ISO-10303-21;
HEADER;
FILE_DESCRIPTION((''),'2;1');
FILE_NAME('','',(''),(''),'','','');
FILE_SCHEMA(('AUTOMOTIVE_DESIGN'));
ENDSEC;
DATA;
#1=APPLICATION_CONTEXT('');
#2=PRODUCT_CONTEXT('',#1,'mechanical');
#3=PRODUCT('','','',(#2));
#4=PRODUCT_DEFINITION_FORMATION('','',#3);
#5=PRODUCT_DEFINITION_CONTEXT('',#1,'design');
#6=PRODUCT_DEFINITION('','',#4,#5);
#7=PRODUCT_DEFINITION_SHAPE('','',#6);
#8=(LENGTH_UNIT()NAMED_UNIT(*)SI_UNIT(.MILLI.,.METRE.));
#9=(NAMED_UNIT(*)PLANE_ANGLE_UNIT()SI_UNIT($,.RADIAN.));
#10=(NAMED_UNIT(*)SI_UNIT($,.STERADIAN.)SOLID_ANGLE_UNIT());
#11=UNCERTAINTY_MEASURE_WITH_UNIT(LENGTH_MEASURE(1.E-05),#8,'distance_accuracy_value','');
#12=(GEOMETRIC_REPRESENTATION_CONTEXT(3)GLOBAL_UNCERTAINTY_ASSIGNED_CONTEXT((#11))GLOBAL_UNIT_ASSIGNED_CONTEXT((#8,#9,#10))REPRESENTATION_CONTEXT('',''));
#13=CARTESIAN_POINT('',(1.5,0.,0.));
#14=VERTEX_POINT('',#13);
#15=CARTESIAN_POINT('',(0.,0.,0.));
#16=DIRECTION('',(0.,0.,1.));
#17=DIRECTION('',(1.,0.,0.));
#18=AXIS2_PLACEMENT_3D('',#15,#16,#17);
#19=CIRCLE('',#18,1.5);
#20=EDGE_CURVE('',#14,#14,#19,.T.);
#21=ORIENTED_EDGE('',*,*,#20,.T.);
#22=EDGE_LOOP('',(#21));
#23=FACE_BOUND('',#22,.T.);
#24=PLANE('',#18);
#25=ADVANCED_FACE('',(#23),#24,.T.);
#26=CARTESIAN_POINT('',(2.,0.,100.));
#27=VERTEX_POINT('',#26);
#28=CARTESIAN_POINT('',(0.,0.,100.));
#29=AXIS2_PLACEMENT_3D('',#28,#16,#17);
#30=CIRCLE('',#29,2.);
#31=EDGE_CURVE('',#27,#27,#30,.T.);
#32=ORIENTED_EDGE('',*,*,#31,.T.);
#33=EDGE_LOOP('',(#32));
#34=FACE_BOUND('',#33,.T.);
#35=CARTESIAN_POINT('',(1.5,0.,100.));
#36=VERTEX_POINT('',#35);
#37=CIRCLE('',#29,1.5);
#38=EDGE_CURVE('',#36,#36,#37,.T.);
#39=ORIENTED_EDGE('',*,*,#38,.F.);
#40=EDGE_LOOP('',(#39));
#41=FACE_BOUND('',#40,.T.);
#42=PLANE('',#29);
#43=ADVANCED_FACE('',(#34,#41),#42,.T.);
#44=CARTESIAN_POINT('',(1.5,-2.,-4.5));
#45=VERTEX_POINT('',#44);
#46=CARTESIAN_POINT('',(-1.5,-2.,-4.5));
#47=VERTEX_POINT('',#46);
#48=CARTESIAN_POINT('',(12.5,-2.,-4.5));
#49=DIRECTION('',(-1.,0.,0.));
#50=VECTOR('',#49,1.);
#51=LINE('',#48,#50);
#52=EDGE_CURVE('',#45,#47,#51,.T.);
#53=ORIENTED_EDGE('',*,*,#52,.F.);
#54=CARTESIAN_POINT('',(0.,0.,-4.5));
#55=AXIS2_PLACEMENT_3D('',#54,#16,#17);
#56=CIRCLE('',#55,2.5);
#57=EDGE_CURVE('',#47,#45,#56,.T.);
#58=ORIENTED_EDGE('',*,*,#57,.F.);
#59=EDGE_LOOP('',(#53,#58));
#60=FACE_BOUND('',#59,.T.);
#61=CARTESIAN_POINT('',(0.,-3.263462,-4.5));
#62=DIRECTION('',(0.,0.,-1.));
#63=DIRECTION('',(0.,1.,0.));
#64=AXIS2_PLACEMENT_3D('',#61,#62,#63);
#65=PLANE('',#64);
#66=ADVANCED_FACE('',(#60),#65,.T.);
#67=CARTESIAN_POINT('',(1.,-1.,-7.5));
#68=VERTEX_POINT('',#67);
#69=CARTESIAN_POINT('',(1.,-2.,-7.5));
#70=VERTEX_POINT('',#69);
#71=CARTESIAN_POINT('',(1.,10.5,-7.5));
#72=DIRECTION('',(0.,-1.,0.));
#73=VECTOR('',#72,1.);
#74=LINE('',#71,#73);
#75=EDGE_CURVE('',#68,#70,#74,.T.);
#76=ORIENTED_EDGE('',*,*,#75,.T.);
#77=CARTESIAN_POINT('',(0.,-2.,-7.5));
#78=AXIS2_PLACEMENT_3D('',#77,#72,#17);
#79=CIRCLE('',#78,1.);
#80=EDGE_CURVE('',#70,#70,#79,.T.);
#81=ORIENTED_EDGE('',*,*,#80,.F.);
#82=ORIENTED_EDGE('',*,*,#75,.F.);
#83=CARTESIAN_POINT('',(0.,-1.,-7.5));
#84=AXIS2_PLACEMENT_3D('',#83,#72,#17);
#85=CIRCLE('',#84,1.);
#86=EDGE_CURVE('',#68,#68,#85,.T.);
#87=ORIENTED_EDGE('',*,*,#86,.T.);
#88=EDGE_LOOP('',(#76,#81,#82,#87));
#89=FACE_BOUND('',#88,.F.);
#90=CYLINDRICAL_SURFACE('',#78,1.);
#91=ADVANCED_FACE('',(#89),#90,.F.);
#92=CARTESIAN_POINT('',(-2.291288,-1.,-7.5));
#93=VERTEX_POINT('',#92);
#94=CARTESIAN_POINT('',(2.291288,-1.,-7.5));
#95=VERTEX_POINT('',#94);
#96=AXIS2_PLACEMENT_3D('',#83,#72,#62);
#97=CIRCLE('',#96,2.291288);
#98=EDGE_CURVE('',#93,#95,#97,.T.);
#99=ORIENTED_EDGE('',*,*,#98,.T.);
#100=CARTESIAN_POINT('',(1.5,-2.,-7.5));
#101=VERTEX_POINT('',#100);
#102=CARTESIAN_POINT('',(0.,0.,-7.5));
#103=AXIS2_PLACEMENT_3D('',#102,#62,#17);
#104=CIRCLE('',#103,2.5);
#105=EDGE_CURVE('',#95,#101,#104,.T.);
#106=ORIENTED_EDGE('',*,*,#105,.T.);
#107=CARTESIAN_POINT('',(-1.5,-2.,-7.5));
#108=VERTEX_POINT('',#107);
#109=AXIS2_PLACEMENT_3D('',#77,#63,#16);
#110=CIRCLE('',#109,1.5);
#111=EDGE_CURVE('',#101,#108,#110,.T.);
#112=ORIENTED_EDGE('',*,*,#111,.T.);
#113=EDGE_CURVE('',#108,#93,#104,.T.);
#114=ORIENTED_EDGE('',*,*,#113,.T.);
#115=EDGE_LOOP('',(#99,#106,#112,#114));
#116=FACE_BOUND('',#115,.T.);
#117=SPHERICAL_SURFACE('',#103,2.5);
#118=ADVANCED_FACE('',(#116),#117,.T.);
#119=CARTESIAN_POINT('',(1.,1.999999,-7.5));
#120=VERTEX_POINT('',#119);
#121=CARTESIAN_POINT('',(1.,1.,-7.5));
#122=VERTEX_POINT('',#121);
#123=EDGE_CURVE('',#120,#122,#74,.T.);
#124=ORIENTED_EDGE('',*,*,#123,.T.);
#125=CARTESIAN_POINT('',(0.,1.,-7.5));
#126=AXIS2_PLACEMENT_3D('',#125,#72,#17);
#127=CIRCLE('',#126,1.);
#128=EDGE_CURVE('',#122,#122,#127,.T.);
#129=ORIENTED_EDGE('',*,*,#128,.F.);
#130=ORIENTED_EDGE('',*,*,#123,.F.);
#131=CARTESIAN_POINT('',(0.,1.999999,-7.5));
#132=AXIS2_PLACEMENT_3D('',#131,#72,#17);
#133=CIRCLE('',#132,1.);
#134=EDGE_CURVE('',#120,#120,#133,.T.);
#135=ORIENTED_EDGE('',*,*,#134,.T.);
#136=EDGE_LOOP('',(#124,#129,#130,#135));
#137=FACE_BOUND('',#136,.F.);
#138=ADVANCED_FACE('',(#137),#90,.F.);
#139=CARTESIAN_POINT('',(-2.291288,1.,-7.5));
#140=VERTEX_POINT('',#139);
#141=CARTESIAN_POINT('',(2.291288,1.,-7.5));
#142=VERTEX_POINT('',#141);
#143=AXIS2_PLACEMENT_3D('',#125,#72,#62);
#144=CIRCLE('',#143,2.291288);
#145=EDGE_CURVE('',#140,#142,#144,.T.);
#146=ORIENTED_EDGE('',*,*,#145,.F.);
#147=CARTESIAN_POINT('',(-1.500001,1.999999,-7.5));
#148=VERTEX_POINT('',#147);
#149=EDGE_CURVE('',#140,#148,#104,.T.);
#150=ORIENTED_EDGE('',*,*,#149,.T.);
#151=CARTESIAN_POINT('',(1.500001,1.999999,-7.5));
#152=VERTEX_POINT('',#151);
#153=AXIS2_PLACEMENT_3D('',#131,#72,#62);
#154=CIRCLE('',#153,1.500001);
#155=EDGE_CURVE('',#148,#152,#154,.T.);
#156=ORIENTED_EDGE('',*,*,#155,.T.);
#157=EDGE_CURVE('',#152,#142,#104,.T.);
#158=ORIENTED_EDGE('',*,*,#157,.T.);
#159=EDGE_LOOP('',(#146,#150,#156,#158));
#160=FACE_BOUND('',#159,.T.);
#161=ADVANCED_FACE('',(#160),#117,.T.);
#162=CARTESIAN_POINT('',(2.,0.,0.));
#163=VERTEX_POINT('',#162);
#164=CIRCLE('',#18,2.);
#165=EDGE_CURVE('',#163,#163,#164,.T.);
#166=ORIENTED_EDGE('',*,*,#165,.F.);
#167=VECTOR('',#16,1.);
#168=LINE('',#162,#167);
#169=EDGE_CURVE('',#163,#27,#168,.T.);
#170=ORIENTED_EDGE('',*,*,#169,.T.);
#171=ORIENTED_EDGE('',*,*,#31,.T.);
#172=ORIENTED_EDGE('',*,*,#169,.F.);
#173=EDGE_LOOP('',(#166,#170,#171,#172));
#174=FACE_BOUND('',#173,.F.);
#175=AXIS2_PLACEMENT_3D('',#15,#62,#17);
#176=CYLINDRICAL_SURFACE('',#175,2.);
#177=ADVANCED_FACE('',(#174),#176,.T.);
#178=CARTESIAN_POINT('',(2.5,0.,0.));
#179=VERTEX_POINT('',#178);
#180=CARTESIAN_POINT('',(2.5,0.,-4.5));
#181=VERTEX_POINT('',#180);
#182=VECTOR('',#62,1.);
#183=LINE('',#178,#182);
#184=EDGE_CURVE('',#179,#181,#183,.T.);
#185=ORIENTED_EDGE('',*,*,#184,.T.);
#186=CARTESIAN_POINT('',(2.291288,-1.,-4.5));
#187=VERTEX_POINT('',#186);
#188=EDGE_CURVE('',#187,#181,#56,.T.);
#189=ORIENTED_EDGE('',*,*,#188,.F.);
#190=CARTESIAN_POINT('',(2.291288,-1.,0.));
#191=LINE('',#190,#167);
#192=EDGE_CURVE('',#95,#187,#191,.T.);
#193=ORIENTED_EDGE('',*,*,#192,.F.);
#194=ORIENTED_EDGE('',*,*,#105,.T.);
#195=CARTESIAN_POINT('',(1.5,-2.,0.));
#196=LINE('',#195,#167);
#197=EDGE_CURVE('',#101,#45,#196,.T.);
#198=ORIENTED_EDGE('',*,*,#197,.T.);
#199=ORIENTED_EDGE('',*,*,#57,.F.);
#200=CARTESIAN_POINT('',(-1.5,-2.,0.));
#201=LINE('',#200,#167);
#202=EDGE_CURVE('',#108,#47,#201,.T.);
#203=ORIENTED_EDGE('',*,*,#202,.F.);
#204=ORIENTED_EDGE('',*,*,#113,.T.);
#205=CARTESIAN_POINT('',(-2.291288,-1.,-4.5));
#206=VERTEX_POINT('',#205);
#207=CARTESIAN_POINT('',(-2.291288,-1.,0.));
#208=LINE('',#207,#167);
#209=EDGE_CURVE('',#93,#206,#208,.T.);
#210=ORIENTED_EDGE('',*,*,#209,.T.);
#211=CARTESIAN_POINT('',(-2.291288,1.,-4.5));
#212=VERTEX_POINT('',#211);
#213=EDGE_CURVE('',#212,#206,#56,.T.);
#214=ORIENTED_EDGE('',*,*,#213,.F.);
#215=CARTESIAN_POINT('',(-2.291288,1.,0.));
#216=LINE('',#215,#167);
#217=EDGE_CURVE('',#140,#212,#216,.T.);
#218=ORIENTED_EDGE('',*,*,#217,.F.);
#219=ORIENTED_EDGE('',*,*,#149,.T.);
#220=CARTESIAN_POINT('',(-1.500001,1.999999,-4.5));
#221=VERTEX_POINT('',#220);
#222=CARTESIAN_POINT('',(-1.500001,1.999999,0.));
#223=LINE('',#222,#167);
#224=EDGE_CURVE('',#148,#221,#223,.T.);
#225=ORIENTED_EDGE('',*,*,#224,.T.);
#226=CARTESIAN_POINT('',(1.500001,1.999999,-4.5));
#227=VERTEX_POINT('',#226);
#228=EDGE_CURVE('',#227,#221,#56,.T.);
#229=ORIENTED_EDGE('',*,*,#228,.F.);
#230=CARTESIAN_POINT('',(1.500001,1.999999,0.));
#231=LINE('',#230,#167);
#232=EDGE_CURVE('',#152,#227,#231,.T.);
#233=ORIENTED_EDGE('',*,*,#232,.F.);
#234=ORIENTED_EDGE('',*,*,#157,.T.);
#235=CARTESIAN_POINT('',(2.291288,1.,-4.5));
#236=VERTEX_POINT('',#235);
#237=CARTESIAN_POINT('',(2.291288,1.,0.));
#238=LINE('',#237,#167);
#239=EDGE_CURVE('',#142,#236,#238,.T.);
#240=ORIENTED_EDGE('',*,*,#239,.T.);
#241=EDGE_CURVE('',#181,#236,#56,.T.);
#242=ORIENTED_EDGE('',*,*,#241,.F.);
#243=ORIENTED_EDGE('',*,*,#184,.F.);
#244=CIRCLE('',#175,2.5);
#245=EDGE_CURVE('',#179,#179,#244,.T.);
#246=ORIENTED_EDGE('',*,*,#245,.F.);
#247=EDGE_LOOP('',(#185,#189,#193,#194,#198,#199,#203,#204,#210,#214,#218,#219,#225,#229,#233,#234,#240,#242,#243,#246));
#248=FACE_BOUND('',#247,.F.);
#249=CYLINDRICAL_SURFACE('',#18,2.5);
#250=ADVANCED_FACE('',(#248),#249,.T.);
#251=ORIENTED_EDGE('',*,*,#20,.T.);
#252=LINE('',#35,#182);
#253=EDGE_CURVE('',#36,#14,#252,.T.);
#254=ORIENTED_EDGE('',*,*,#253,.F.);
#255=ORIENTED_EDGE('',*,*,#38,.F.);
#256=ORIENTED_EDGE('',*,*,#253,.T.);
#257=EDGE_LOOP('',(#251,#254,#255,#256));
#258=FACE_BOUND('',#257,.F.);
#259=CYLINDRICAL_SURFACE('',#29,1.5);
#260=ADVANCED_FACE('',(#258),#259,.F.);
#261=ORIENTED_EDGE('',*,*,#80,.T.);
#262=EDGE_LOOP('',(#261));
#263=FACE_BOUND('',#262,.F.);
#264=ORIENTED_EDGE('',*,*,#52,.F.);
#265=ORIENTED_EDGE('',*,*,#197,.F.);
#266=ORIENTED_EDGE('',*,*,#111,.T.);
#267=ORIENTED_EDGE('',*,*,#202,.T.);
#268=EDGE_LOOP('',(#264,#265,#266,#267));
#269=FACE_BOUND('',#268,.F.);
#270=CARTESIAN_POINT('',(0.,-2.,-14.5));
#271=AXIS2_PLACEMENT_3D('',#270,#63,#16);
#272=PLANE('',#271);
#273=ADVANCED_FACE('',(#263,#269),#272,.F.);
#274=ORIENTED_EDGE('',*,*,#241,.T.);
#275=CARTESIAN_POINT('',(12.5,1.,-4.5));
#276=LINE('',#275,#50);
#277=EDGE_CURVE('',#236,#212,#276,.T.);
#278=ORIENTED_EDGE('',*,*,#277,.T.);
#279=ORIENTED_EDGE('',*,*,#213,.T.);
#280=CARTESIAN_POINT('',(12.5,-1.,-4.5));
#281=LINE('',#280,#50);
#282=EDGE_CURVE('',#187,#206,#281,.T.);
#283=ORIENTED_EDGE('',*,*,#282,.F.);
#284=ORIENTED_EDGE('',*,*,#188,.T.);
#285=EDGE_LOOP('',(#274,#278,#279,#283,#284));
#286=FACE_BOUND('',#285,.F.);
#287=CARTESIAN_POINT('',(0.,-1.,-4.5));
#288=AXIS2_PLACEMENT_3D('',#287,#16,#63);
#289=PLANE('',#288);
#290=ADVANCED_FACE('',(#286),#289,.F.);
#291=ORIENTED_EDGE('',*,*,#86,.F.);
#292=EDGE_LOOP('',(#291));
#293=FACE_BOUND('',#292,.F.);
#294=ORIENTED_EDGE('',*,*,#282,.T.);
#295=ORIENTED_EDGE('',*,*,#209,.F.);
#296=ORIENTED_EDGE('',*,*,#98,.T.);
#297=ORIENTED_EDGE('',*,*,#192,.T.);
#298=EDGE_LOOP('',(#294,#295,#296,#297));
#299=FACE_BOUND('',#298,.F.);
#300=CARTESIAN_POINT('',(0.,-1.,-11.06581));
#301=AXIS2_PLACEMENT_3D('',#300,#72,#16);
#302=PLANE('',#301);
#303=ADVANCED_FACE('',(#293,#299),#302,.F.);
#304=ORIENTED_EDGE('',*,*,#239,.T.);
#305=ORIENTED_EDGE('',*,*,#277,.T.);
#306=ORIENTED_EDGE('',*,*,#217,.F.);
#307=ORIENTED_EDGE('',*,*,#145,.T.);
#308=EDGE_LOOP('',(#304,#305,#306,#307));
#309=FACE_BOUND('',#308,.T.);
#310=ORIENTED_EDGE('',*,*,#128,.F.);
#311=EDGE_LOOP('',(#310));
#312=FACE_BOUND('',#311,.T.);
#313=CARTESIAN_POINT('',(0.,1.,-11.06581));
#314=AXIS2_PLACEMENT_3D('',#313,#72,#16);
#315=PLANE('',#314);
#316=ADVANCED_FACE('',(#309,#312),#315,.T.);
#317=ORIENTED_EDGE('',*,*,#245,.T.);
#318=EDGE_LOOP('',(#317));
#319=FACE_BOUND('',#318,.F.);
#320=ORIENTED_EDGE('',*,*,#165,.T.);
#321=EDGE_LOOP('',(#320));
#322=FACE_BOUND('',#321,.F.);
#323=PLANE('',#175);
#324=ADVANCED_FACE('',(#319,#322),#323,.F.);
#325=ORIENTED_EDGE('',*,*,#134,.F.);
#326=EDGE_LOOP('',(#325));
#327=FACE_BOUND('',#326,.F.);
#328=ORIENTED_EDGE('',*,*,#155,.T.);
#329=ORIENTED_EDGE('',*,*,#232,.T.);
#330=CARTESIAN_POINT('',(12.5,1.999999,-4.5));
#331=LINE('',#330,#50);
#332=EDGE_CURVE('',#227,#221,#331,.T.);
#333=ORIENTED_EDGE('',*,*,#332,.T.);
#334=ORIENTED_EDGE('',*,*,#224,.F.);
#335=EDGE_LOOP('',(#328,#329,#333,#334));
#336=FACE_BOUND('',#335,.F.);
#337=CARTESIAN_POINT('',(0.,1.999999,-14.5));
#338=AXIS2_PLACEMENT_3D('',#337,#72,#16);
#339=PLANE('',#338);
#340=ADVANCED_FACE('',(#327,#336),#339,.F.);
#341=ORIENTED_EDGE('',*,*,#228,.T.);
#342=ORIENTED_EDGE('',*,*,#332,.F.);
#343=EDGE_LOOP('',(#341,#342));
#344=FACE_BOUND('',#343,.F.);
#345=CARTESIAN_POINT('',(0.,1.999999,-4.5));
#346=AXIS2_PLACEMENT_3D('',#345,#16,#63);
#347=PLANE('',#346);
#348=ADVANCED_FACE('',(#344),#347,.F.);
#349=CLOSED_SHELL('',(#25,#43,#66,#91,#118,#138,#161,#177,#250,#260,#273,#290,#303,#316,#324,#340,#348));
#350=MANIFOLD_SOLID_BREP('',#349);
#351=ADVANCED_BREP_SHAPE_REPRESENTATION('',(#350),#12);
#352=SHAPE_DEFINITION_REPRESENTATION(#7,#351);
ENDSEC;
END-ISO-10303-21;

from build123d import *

# Parameters (mm, degrees)
F0_R      = 2
F1_DEPTH  = 100
F2_R      = 2.5
F3_DEPTH  = 10
F4_R      = 2.5
F5_W      = 2
F5_H      = 6.56581
F5_W_2    = 1.541687
F5_H_2    = 10
F5_W_3    = 1.263462
F6_DEPTH  = 12.5
F7_R      = 1
F8_DEPTH  = 12.5
F9_R      = 1.5
F10_DEPTH = 100


with BuildPart() as f1:
    # F0 (on Top) → F1 (new body)
    with BuildSketch(Plane.XY):
        Circle(F0_R)
    extrude(amount=F1_DEPTH)

    # F2 (on face) → F3 (join)
    with BuildSketch(Plane(origin=(0, 0, 0), x_dir=(1, 0, 0), z_dir=(0, 0, -1))):
        Circle(F2_R)
    extrude(amount=F3_DEPTH)

    # F4
    f4_edges = [f1.edges().sort_by_distance(p)[0] for p in [
        (-2.5, 0, -10),
    ]]
    fillet(f4_edges, radius=F4_R)

    # F5 (on Right) → F6 (cut, symmetric)
    with BuildSketch(Plane.YZ):
        with Locations((0, -7.782905)):
            Rectangle(F5_W, F5_H)
        with Locations((2.770843, -9.5)):
            Rectangle(F5_W_2, F5_H_2)
        with Locations((-2.631731, -9.5)):
            Rectangle(F5_W_3, F5_H_2)
    extrude(amount=F6_DEPTH, both=True, mode=Mode.SUBTRACT)

    # F7 (on face) → F8 (cut, symmetric)
    with BuildSketch(Plane.XZ.offset(2)):
        with Locations((0, -7.5)):
            Circle(F7_R)
    extrude(amount=F8_DEPTH, both=True, mode=Mode.SUBTRACT)

    # F9 (on face) → F10 (cut)
    with BuildSketch(Plane.XY.offset(100)):
        Circle(F9_R)
    extrude(amount=-F10_DEPTH, mode=Mode.SUBTRACT)


solid = f1.part
